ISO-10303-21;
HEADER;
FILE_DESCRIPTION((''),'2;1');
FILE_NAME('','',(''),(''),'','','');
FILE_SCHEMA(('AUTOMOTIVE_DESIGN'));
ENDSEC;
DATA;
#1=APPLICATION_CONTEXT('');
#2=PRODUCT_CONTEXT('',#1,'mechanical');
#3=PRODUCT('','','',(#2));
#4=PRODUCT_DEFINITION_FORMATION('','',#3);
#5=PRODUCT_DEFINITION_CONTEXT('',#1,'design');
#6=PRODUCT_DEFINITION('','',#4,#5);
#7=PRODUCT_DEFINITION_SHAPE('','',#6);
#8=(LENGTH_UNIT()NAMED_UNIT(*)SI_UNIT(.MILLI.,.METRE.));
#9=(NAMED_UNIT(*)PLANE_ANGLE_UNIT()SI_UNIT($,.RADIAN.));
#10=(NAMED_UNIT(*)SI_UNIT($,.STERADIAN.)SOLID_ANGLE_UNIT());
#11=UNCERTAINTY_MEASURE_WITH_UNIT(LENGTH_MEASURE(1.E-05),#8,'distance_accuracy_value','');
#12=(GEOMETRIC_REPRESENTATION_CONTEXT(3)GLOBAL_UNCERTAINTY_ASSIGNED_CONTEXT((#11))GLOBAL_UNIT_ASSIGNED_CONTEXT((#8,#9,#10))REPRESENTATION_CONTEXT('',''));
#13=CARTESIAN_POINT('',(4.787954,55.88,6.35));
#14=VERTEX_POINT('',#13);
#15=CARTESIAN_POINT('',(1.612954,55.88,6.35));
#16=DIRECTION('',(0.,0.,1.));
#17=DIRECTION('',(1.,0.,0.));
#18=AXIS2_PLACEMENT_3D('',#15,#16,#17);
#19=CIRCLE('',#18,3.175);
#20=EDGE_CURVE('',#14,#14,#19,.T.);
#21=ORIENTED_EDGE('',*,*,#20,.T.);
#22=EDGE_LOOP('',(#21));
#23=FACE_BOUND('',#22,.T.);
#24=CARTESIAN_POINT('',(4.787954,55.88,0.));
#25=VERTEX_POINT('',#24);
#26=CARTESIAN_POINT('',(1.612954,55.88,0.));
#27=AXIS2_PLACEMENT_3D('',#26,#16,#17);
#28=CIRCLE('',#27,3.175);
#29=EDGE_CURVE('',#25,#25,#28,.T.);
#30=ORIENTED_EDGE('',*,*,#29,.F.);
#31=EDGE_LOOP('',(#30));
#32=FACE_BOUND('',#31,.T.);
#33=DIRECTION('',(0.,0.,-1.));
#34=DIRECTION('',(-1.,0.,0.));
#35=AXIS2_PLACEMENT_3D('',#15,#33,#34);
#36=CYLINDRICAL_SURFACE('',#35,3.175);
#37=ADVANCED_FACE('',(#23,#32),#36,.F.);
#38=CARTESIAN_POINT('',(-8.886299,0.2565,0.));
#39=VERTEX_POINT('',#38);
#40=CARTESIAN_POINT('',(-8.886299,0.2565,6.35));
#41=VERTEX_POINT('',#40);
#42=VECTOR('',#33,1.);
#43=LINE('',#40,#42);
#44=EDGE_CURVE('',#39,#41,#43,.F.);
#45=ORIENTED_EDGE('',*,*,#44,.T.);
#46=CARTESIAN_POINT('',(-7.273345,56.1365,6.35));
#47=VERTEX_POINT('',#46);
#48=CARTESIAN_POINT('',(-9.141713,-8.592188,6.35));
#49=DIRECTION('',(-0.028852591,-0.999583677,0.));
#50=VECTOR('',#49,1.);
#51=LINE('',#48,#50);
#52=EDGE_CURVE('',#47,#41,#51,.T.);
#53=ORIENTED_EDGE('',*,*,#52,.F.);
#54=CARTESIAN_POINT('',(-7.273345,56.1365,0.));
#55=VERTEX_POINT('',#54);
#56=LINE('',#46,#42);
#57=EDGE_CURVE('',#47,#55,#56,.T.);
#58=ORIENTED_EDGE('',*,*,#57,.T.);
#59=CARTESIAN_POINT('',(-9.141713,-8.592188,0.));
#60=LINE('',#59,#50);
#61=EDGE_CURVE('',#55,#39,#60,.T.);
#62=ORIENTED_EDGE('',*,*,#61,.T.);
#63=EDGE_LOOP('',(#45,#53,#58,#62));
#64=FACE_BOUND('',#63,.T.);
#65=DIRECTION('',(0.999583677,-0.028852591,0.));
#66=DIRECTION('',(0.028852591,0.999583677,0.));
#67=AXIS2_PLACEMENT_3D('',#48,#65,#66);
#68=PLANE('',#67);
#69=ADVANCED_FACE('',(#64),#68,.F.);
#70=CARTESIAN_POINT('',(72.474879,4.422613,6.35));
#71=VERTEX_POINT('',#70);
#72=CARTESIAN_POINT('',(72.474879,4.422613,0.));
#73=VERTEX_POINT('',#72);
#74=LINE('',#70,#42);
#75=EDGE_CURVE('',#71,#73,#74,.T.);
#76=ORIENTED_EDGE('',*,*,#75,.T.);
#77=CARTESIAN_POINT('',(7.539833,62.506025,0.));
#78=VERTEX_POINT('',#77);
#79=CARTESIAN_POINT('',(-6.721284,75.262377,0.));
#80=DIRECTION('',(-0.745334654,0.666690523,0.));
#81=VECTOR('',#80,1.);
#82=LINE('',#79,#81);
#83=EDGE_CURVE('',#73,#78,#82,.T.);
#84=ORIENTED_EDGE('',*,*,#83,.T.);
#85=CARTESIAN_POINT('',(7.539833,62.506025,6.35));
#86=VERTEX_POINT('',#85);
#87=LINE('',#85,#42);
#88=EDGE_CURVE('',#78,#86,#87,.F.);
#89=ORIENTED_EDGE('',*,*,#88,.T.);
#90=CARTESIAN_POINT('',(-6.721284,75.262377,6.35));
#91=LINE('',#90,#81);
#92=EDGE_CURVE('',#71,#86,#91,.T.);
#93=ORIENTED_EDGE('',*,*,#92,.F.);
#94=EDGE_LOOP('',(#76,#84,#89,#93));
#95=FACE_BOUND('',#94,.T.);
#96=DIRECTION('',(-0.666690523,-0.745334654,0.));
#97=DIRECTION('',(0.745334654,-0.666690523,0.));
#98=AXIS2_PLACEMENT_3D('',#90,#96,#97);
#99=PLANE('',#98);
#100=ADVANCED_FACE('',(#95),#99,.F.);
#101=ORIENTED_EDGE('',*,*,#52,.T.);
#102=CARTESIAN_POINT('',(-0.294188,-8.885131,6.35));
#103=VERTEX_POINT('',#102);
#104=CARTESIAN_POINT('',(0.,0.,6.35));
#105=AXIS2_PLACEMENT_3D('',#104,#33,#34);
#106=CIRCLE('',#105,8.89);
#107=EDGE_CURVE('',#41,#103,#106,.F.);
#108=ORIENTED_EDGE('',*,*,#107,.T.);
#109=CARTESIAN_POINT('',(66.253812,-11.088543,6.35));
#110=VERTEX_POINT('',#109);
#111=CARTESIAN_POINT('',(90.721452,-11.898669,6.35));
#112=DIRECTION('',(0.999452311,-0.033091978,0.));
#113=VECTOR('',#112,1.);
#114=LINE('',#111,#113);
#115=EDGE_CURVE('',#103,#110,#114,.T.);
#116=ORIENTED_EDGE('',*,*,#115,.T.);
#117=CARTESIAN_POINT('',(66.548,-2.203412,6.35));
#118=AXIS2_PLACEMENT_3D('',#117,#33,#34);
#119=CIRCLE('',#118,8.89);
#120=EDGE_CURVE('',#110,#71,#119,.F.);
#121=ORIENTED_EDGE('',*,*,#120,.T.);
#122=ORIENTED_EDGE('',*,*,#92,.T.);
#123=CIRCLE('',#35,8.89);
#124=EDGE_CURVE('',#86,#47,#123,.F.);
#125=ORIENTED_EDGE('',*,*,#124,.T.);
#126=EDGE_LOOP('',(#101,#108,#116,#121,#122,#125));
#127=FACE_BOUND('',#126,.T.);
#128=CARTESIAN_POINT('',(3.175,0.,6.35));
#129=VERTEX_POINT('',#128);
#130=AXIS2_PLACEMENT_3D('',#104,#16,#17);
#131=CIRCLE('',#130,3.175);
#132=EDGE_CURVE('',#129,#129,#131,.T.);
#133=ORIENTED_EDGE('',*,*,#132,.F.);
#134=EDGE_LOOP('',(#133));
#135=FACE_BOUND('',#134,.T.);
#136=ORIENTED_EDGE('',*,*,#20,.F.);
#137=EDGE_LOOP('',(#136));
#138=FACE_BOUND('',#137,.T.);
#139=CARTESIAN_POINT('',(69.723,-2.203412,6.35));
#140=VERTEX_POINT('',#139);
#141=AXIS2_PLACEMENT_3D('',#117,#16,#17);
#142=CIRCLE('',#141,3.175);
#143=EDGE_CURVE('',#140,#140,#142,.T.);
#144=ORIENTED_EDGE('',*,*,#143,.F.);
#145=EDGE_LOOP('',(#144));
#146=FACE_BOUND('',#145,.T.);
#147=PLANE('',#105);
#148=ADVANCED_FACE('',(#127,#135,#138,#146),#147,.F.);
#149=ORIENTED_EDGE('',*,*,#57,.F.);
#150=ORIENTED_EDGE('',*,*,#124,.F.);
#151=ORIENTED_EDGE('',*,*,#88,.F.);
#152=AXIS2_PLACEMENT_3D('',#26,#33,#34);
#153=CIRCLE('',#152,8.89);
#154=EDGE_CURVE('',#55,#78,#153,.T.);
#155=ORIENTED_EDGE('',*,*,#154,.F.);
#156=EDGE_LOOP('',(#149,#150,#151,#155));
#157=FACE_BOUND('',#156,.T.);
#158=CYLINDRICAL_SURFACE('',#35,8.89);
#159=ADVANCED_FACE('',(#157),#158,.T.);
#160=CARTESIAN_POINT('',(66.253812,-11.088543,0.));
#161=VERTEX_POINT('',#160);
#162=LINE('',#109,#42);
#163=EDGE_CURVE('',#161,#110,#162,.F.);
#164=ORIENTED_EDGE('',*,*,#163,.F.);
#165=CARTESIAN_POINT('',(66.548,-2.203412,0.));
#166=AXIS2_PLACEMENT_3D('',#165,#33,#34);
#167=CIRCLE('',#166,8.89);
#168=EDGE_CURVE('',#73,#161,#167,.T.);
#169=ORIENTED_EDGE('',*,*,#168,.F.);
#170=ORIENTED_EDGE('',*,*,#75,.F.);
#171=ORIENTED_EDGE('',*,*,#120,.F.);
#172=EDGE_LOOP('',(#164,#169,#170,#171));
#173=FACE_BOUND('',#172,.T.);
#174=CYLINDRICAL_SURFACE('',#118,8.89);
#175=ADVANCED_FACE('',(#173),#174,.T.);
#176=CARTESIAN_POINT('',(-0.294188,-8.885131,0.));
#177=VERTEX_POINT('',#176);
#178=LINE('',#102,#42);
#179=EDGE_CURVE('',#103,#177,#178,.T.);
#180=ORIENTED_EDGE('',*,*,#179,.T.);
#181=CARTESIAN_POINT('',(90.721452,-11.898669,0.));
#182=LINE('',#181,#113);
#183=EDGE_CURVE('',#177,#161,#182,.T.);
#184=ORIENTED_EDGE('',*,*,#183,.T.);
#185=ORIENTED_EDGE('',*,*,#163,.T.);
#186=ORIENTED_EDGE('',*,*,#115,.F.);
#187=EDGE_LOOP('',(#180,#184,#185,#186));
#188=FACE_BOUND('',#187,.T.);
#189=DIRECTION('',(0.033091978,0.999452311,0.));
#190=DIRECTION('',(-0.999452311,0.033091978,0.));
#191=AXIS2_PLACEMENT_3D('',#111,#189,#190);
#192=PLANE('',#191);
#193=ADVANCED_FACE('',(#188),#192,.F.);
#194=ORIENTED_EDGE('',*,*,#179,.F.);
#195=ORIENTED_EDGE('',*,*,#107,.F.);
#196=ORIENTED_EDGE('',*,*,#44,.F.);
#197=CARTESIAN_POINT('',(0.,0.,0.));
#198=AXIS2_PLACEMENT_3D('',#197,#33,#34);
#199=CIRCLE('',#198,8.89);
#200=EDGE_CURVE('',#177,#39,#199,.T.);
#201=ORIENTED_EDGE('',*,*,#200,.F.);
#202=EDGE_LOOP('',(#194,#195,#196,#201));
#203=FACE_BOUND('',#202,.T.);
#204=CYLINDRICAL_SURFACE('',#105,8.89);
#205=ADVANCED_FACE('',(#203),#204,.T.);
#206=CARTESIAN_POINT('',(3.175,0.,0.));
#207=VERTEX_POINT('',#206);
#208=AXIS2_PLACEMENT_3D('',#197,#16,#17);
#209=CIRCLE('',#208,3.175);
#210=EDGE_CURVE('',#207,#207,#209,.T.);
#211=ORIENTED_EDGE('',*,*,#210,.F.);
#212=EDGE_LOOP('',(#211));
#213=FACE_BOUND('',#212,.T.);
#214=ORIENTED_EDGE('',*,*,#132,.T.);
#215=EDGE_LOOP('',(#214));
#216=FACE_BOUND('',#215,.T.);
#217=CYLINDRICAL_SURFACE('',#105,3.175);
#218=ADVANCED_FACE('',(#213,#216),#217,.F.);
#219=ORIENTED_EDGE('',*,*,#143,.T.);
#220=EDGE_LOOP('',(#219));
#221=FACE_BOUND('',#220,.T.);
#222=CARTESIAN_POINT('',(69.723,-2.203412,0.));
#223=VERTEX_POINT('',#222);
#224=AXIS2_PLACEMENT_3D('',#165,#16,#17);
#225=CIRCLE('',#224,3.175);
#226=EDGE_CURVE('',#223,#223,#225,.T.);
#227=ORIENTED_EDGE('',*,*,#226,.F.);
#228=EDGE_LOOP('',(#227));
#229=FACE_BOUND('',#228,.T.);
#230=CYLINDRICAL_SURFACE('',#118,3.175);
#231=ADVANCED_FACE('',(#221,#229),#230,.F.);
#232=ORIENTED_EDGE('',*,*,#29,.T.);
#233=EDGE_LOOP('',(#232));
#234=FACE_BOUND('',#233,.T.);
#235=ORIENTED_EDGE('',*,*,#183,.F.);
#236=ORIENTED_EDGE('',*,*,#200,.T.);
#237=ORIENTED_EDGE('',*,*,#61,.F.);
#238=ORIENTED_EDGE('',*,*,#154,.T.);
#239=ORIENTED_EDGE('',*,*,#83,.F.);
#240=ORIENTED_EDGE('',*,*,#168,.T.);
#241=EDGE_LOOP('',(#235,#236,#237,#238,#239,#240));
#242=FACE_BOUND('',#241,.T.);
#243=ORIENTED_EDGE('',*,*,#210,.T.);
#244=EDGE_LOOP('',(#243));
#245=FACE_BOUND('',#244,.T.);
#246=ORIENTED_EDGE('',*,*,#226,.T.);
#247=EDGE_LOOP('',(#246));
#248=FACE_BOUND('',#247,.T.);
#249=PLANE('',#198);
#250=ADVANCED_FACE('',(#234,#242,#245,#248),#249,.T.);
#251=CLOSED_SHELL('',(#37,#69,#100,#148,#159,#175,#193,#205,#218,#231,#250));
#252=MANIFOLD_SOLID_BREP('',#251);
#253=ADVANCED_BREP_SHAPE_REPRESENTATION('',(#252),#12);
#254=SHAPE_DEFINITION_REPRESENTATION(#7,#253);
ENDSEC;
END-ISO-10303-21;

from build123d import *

# Parameters (mm, degrees)
SKETCH1_R           = 3.175
BOSS_EXTRUDE1_DEPTH = 6.35
FILLET1_R           = 8.89


with BuildPart() as part:
    # Sketch1 → Boss-Extrude1 (new body)
    with BuildSketch(Plane.XY):
        Polygon((-9.141712801, -8.592188489), (-6.721283646, 75.262377261), (90.721451865, -11.8986691), align=None)
        with Locations((1.612954285, 55.88)):
            Circle(SKETCH1_R, mode=Mode.SUBTRACT)
        Circle(SKETCH1_R, mode=Mode.SUBTRACT)
        with Locations((66.548, -2.203411763)):
            Circle(SKETCH1_R, mode=Mode.SUBTRACT)
    extrude(amount=BOSS_EXTRUDE1_DEPTH)

    # Fillet1
    fillet1_edges = [part.edges().sort_by_distance(p)[0] for p in [
        (-9.141712801, -8.592188489, 3.175),
        (-6.721283646, 75.262377261, 3.175),
        (90.721451865, -11.8986691, 3.175),
    ]]
    fillet(fillet1_edges, radius=FILLET1_R)


solid = part.part
